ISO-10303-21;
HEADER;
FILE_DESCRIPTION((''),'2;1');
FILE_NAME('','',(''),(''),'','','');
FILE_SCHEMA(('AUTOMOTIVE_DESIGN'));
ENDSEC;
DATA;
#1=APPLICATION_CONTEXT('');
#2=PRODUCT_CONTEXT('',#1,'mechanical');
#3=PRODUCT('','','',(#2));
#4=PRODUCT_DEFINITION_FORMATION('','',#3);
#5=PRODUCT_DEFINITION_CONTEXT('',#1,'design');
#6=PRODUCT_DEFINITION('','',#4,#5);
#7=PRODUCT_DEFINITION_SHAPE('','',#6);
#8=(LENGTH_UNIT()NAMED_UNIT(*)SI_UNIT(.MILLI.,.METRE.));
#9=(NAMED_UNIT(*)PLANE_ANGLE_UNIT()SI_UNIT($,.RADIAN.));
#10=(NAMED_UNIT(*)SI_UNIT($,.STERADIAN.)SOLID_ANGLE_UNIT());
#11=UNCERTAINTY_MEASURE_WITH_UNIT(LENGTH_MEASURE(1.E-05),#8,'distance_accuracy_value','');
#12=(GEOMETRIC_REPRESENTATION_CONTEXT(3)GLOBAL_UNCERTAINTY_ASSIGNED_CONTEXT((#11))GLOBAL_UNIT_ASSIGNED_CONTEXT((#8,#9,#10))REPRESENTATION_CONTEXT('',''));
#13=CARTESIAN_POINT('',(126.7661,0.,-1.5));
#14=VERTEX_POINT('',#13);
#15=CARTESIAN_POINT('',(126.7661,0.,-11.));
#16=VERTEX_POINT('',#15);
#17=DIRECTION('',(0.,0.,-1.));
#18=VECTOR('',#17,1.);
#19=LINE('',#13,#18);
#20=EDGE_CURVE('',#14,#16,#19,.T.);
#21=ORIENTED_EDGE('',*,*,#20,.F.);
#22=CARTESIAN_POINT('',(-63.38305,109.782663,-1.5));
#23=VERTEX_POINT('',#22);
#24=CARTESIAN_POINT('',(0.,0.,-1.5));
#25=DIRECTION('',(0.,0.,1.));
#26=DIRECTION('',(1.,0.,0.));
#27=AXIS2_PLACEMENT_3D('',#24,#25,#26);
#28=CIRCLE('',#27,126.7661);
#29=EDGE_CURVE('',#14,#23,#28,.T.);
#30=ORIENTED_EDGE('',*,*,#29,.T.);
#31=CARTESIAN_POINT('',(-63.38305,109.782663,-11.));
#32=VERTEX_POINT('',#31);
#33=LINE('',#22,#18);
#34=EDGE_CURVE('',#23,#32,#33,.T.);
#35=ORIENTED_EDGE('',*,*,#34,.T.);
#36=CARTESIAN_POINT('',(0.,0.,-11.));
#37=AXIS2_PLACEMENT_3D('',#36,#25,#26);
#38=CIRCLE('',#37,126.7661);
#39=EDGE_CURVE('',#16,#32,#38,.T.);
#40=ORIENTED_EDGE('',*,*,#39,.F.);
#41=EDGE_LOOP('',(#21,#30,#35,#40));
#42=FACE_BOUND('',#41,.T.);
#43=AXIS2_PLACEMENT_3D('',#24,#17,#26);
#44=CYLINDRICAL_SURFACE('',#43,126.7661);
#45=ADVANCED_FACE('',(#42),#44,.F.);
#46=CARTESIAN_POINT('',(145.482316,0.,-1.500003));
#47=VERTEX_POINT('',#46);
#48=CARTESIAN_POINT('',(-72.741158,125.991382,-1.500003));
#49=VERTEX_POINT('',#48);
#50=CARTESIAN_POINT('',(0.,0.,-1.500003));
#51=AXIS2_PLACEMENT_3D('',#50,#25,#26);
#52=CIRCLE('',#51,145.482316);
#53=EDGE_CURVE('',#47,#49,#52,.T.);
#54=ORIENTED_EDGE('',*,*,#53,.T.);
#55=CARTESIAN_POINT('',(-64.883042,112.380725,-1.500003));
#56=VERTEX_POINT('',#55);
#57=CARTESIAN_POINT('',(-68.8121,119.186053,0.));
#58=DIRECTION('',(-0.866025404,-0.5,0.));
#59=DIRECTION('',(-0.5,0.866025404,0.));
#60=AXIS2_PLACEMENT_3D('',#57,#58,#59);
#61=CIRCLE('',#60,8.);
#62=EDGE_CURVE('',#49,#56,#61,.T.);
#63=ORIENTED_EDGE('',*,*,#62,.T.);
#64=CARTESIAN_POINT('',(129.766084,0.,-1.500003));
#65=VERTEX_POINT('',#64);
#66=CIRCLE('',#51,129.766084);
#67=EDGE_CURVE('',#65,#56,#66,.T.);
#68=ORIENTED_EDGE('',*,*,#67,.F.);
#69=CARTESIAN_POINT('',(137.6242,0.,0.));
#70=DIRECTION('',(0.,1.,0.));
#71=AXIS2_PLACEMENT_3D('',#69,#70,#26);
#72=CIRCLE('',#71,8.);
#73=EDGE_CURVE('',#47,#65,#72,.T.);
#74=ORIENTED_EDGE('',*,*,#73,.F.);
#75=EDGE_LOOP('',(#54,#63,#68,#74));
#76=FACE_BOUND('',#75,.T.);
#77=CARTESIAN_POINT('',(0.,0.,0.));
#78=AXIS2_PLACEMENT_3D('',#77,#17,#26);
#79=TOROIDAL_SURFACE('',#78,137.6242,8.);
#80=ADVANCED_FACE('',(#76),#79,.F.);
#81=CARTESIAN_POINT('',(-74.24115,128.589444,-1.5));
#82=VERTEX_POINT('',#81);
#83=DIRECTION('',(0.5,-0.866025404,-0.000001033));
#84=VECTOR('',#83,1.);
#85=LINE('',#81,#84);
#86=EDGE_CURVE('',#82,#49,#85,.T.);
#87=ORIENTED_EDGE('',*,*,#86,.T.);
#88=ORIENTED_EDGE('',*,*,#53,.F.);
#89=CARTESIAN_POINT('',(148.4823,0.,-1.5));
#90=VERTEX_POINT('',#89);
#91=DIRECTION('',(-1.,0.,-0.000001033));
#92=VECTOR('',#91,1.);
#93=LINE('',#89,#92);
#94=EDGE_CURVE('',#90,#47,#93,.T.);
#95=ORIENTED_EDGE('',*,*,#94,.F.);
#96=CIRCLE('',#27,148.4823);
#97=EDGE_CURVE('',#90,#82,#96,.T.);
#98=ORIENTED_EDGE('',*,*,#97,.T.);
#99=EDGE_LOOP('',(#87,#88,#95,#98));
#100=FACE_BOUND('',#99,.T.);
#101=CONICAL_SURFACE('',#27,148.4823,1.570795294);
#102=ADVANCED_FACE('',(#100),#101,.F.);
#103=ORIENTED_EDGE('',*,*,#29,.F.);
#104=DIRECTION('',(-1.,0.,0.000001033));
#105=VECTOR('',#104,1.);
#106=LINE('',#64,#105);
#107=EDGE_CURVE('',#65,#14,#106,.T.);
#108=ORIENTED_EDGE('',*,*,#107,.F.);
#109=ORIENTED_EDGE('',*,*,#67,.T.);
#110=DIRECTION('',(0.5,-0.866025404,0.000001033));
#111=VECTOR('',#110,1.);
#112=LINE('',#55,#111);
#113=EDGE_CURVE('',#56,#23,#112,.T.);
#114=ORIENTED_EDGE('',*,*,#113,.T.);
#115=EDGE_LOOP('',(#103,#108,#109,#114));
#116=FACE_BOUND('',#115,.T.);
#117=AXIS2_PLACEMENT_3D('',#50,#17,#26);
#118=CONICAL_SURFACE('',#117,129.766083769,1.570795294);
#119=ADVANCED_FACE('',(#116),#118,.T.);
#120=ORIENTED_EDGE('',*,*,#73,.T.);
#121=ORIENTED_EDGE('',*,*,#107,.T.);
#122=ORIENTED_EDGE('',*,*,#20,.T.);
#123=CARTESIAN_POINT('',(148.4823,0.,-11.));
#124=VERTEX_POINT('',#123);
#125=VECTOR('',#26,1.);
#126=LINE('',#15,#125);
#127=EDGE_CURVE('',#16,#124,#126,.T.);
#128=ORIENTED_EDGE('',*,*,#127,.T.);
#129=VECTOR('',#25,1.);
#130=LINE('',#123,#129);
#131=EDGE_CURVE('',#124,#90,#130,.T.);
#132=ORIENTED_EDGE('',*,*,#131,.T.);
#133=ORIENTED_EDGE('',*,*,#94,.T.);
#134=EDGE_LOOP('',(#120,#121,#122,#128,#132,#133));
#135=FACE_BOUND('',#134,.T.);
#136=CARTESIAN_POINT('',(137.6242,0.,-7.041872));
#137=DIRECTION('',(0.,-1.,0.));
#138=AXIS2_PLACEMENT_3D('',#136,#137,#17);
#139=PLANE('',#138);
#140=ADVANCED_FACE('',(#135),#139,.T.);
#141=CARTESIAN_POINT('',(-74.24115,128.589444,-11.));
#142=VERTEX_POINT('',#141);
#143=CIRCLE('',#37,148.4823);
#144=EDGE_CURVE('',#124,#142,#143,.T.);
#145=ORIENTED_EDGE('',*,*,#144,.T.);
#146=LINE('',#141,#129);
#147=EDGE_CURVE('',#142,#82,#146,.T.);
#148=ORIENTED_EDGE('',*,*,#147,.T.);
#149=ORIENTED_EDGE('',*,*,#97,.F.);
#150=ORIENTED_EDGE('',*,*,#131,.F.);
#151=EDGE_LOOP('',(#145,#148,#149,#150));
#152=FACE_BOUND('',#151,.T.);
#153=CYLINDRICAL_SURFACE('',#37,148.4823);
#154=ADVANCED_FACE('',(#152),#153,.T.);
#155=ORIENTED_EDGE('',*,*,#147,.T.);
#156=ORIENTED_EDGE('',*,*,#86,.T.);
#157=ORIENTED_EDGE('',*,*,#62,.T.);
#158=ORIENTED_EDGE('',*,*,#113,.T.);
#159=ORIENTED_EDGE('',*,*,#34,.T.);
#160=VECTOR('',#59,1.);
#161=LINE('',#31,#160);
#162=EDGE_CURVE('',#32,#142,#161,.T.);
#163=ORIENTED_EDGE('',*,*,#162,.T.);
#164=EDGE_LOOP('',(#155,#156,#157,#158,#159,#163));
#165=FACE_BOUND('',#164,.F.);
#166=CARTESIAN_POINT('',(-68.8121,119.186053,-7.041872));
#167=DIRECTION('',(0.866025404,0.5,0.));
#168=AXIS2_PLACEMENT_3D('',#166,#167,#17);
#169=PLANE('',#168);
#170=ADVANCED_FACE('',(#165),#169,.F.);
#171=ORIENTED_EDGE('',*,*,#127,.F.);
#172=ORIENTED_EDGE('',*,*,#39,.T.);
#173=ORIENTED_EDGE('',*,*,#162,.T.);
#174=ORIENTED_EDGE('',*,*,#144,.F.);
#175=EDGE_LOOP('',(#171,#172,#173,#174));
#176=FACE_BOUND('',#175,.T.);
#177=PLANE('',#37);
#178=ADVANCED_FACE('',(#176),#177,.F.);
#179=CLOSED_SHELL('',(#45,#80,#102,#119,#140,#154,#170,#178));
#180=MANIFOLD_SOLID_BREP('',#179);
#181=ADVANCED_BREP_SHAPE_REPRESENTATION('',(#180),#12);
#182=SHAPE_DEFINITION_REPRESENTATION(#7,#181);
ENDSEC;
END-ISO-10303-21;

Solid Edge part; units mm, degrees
sketch "Sketch1" plane through (0, 0, 0) normal (0, -1, 0) x (1, 0, 0)
  line L0 (129.7661, -1.5) -> (126.7661, -1.5)
  line L1 (126.7661, -1.5) -> (126.7661, -11)
  line L2 (126.7661, -11) -> (148.4823, -11)
  line L3 (148.4823, -11) -> (148.4823, -1.5)
  line L4 (148.4823, -1.5) -> (145.4823, -1.5)
  arc A0 (145.4823, -1.5) -> (129.7661, -1.5) centre (137.6242, 0) cw
  dimension "D1" = 3
  dimension "D2" = 3
  dimension "D3" = 11
  dimension "D4" = 1.5
  dimension "D5" = 16
revolve "RevolvedProtrusion_2" add sketch "Sketch1" angle 120 about axis through (0, 0, 0) along (0, 0, 1)
properties material "ABS Plastic, high impact"
